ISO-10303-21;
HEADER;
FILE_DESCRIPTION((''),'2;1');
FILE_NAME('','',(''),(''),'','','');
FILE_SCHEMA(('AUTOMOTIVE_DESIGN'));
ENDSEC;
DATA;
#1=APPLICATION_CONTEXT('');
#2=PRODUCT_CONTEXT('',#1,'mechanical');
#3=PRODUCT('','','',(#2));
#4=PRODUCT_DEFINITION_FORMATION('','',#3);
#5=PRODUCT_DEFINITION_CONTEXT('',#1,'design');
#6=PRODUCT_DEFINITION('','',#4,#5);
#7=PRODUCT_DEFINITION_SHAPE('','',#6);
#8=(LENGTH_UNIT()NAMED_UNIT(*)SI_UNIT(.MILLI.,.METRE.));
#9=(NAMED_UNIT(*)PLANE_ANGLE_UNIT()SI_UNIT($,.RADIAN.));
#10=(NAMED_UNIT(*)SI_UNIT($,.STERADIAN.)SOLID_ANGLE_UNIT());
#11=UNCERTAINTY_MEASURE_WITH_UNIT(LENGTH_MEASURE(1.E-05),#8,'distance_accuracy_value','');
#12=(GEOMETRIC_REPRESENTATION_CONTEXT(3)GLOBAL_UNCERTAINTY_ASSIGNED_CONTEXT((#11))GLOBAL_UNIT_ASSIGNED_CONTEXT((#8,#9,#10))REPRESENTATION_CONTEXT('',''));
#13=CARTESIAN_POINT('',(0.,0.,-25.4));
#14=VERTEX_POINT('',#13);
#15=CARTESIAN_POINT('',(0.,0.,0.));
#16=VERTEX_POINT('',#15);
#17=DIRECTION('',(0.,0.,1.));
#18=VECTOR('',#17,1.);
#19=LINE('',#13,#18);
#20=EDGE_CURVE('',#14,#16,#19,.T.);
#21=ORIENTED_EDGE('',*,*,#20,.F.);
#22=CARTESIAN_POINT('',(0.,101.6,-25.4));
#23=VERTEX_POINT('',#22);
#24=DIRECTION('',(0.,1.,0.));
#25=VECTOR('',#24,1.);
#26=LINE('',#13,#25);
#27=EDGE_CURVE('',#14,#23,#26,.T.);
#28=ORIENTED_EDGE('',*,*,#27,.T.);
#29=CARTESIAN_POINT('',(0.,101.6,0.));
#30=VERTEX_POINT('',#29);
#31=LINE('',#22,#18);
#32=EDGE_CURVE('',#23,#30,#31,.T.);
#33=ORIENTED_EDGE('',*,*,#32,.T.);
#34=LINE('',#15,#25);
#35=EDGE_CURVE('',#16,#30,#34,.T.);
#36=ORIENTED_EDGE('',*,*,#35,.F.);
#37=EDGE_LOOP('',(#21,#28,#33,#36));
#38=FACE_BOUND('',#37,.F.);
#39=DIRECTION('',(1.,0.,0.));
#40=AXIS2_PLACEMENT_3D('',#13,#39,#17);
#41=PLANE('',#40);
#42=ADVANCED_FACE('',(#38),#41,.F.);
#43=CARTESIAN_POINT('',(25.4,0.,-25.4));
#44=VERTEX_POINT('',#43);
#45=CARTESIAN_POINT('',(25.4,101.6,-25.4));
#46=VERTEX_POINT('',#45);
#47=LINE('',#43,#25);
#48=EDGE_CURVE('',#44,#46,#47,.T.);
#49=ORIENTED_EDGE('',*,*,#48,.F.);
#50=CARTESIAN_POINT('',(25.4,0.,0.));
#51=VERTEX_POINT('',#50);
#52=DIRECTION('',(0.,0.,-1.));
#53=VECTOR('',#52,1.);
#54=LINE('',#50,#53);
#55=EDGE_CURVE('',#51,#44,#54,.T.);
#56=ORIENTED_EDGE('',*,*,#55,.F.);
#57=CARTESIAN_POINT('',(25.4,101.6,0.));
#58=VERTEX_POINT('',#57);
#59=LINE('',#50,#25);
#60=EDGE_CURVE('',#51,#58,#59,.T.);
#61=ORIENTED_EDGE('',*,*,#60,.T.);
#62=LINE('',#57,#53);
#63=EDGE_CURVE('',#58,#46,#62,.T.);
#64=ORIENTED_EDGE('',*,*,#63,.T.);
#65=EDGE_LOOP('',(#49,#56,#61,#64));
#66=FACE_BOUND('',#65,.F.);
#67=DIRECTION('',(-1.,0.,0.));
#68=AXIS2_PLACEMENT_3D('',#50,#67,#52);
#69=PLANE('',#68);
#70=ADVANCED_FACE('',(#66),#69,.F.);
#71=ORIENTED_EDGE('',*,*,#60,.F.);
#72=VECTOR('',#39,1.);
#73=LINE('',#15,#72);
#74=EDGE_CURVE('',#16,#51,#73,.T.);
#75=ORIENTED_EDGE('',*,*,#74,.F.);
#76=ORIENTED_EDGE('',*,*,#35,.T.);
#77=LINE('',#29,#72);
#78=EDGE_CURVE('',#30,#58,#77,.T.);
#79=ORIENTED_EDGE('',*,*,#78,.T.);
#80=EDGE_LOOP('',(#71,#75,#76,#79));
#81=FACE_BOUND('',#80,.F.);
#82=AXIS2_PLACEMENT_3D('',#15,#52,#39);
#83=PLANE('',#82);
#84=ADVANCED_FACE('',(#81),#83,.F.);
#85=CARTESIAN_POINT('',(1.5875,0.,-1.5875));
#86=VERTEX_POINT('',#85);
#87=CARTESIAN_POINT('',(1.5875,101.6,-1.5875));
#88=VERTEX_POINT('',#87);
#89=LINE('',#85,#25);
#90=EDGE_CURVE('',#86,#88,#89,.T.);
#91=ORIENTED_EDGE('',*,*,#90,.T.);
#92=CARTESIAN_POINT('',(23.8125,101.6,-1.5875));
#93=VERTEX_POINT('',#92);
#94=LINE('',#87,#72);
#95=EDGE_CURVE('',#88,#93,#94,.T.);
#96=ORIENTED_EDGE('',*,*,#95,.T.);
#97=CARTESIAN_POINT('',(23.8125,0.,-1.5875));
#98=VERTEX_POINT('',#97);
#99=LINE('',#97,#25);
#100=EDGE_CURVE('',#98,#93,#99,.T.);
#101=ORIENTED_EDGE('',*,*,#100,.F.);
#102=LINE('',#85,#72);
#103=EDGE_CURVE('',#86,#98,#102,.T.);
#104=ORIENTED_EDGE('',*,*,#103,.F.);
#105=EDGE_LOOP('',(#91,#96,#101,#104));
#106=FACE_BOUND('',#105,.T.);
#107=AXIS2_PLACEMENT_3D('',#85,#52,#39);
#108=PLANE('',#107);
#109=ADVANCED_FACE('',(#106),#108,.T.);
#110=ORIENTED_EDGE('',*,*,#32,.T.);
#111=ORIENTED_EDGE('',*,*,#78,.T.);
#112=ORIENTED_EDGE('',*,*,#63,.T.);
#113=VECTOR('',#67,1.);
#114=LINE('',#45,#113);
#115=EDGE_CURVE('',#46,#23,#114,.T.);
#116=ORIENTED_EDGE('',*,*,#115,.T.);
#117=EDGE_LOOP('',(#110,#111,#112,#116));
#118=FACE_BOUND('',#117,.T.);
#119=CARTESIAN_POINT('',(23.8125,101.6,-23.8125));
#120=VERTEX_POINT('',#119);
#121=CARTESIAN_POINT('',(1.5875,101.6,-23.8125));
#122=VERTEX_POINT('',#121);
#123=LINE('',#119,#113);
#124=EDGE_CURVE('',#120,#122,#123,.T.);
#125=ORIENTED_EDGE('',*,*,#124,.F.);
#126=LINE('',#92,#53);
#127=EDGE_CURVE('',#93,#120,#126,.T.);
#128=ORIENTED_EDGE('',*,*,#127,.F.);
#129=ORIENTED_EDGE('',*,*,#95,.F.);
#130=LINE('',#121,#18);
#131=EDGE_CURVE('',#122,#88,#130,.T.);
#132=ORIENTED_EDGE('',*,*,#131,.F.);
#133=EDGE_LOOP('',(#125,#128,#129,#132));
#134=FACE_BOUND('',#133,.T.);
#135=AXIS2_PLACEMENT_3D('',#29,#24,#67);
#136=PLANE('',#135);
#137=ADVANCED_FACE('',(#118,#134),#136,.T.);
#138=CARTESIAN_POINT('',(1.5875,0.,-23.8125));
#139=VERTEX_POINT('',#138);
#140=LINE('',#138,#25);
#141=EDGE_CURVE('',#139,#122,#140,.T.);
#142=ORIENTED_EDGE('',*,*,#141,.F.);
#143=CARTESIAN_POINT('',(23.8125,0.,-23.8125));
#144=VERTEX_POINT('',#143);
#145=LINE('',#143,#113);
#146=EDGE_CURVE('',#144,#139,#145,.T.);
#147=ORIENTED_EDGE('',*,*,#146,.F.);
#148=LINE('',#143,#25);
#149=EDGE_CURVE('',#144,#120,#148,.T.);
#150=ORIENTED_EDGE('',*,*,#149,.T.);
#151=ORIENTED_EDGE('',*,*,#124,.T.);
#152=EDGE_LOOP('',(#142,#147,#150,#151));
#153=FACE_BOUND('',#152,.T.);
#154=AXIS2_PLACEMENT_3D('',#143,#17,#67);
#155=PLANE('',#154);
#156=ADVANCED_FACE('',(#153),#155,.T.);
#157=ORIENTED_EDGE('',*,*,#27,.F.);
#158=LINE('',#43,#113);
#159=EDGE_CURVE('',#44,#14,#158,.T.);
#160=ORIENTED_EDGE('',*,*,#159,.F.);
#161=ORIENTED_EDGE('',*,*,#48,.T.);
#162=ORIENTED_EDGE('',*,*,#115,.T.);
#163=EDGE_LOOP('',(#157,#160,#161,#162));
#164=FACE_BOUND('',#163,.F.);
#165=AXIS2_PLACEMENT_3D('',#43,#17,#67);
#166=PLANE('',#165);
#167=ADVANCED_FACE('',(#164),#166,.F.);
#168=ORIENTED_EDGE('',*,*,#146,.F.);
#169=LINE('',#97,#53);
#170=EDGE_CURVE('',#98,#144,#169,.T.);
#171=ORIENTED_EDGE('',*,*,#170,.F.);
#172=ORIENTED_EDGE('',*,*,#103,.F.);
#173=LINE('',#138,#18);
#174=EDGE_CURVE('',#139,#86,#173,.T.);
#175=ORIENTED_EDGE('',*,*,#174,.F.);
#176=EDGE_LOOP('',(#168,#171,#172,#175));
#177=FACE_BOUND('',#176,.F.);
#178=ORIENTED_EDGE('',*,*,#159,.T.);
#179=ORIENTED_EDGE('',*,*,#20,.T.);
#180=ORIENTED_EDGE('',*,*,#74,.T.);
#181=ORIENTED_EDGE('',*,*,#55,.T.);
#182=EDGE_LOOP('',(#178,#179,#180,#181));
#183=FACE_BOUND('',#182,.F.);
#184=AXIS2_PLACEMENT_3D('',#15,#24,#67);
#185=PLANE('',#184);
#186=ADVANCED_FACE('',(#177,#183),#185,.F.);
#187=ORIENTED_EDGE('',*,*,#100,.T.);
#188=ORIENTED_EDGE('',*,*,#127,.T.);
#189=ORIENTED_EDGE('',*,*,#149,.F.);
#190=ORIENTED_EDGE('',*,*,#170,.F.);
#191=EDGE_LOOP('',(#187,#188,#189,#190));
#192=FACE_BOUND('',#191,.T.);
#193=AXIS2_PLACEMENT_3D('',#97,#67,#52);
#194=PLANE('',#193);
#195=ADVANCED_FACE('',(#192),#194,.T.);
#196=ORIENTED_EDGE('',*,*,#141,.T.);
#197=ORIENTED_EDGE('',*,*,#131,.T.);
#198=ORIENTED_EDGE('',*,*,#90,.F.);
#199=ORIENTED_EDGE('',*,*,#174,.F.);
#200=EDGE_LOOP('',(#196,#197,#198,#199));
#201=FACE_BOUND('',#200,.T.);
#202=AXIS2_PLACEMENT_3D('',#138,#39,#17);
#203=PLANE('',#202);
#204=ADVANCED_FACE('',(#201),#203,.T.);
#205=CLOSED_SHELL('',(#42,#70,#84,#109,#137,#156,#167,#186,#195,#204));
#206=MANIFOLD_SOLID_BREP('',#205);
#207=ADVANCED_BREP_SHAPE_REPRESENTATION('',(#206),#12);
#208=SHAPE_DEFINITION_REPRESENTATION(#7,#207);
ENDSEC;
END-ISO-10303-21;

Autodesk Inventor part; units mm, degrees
ref_plane "YZ Plane" through (0, 0, 0) normal (1, 0, 0) x (0, 1, 0)
ref_plane "XZ Plane" through (0, 0, 0) normal (0, 1, 0) x (-1, 0, 0)
ref_plane "XY Plane" through (0, 0, 0) normal (0, 0, 1) x (1, 0, 0)
sketch "Sketch1" plane through (0, 0, 0) normal (0, 1, 0) x (-1, 0, 0)
  line L0 (0, 0) -> (-25.4, 0)
  line L1 (-25.4, 0) -> (-25.4, -25.4)
  line L2 (-25.4, -25.4) -> (0, -25.4)
  line L3 (0, -25.4) -> (0, 0)
  line L4 (-1.5875, -1.5875) -> (-23.8125, -1.5875)
  line L5 (-23.8125, -1.5875) -> (-23.8125, -23.8125)
  line L6 (-23.8125, -23.8125) -> (-1.5875, -23.8125)
  line L7 (-1.5875, -23.8125) -> (-1.5875, -1.5875)
  dimension "d0" = 25.4
  dimension "d1" = 25.4
  dimension "d2" = 1.5875
extrude "Extrusion1" add sketch "Sketch1" along normal blind 101.6
properties part number "articulation motor mount spacer"
